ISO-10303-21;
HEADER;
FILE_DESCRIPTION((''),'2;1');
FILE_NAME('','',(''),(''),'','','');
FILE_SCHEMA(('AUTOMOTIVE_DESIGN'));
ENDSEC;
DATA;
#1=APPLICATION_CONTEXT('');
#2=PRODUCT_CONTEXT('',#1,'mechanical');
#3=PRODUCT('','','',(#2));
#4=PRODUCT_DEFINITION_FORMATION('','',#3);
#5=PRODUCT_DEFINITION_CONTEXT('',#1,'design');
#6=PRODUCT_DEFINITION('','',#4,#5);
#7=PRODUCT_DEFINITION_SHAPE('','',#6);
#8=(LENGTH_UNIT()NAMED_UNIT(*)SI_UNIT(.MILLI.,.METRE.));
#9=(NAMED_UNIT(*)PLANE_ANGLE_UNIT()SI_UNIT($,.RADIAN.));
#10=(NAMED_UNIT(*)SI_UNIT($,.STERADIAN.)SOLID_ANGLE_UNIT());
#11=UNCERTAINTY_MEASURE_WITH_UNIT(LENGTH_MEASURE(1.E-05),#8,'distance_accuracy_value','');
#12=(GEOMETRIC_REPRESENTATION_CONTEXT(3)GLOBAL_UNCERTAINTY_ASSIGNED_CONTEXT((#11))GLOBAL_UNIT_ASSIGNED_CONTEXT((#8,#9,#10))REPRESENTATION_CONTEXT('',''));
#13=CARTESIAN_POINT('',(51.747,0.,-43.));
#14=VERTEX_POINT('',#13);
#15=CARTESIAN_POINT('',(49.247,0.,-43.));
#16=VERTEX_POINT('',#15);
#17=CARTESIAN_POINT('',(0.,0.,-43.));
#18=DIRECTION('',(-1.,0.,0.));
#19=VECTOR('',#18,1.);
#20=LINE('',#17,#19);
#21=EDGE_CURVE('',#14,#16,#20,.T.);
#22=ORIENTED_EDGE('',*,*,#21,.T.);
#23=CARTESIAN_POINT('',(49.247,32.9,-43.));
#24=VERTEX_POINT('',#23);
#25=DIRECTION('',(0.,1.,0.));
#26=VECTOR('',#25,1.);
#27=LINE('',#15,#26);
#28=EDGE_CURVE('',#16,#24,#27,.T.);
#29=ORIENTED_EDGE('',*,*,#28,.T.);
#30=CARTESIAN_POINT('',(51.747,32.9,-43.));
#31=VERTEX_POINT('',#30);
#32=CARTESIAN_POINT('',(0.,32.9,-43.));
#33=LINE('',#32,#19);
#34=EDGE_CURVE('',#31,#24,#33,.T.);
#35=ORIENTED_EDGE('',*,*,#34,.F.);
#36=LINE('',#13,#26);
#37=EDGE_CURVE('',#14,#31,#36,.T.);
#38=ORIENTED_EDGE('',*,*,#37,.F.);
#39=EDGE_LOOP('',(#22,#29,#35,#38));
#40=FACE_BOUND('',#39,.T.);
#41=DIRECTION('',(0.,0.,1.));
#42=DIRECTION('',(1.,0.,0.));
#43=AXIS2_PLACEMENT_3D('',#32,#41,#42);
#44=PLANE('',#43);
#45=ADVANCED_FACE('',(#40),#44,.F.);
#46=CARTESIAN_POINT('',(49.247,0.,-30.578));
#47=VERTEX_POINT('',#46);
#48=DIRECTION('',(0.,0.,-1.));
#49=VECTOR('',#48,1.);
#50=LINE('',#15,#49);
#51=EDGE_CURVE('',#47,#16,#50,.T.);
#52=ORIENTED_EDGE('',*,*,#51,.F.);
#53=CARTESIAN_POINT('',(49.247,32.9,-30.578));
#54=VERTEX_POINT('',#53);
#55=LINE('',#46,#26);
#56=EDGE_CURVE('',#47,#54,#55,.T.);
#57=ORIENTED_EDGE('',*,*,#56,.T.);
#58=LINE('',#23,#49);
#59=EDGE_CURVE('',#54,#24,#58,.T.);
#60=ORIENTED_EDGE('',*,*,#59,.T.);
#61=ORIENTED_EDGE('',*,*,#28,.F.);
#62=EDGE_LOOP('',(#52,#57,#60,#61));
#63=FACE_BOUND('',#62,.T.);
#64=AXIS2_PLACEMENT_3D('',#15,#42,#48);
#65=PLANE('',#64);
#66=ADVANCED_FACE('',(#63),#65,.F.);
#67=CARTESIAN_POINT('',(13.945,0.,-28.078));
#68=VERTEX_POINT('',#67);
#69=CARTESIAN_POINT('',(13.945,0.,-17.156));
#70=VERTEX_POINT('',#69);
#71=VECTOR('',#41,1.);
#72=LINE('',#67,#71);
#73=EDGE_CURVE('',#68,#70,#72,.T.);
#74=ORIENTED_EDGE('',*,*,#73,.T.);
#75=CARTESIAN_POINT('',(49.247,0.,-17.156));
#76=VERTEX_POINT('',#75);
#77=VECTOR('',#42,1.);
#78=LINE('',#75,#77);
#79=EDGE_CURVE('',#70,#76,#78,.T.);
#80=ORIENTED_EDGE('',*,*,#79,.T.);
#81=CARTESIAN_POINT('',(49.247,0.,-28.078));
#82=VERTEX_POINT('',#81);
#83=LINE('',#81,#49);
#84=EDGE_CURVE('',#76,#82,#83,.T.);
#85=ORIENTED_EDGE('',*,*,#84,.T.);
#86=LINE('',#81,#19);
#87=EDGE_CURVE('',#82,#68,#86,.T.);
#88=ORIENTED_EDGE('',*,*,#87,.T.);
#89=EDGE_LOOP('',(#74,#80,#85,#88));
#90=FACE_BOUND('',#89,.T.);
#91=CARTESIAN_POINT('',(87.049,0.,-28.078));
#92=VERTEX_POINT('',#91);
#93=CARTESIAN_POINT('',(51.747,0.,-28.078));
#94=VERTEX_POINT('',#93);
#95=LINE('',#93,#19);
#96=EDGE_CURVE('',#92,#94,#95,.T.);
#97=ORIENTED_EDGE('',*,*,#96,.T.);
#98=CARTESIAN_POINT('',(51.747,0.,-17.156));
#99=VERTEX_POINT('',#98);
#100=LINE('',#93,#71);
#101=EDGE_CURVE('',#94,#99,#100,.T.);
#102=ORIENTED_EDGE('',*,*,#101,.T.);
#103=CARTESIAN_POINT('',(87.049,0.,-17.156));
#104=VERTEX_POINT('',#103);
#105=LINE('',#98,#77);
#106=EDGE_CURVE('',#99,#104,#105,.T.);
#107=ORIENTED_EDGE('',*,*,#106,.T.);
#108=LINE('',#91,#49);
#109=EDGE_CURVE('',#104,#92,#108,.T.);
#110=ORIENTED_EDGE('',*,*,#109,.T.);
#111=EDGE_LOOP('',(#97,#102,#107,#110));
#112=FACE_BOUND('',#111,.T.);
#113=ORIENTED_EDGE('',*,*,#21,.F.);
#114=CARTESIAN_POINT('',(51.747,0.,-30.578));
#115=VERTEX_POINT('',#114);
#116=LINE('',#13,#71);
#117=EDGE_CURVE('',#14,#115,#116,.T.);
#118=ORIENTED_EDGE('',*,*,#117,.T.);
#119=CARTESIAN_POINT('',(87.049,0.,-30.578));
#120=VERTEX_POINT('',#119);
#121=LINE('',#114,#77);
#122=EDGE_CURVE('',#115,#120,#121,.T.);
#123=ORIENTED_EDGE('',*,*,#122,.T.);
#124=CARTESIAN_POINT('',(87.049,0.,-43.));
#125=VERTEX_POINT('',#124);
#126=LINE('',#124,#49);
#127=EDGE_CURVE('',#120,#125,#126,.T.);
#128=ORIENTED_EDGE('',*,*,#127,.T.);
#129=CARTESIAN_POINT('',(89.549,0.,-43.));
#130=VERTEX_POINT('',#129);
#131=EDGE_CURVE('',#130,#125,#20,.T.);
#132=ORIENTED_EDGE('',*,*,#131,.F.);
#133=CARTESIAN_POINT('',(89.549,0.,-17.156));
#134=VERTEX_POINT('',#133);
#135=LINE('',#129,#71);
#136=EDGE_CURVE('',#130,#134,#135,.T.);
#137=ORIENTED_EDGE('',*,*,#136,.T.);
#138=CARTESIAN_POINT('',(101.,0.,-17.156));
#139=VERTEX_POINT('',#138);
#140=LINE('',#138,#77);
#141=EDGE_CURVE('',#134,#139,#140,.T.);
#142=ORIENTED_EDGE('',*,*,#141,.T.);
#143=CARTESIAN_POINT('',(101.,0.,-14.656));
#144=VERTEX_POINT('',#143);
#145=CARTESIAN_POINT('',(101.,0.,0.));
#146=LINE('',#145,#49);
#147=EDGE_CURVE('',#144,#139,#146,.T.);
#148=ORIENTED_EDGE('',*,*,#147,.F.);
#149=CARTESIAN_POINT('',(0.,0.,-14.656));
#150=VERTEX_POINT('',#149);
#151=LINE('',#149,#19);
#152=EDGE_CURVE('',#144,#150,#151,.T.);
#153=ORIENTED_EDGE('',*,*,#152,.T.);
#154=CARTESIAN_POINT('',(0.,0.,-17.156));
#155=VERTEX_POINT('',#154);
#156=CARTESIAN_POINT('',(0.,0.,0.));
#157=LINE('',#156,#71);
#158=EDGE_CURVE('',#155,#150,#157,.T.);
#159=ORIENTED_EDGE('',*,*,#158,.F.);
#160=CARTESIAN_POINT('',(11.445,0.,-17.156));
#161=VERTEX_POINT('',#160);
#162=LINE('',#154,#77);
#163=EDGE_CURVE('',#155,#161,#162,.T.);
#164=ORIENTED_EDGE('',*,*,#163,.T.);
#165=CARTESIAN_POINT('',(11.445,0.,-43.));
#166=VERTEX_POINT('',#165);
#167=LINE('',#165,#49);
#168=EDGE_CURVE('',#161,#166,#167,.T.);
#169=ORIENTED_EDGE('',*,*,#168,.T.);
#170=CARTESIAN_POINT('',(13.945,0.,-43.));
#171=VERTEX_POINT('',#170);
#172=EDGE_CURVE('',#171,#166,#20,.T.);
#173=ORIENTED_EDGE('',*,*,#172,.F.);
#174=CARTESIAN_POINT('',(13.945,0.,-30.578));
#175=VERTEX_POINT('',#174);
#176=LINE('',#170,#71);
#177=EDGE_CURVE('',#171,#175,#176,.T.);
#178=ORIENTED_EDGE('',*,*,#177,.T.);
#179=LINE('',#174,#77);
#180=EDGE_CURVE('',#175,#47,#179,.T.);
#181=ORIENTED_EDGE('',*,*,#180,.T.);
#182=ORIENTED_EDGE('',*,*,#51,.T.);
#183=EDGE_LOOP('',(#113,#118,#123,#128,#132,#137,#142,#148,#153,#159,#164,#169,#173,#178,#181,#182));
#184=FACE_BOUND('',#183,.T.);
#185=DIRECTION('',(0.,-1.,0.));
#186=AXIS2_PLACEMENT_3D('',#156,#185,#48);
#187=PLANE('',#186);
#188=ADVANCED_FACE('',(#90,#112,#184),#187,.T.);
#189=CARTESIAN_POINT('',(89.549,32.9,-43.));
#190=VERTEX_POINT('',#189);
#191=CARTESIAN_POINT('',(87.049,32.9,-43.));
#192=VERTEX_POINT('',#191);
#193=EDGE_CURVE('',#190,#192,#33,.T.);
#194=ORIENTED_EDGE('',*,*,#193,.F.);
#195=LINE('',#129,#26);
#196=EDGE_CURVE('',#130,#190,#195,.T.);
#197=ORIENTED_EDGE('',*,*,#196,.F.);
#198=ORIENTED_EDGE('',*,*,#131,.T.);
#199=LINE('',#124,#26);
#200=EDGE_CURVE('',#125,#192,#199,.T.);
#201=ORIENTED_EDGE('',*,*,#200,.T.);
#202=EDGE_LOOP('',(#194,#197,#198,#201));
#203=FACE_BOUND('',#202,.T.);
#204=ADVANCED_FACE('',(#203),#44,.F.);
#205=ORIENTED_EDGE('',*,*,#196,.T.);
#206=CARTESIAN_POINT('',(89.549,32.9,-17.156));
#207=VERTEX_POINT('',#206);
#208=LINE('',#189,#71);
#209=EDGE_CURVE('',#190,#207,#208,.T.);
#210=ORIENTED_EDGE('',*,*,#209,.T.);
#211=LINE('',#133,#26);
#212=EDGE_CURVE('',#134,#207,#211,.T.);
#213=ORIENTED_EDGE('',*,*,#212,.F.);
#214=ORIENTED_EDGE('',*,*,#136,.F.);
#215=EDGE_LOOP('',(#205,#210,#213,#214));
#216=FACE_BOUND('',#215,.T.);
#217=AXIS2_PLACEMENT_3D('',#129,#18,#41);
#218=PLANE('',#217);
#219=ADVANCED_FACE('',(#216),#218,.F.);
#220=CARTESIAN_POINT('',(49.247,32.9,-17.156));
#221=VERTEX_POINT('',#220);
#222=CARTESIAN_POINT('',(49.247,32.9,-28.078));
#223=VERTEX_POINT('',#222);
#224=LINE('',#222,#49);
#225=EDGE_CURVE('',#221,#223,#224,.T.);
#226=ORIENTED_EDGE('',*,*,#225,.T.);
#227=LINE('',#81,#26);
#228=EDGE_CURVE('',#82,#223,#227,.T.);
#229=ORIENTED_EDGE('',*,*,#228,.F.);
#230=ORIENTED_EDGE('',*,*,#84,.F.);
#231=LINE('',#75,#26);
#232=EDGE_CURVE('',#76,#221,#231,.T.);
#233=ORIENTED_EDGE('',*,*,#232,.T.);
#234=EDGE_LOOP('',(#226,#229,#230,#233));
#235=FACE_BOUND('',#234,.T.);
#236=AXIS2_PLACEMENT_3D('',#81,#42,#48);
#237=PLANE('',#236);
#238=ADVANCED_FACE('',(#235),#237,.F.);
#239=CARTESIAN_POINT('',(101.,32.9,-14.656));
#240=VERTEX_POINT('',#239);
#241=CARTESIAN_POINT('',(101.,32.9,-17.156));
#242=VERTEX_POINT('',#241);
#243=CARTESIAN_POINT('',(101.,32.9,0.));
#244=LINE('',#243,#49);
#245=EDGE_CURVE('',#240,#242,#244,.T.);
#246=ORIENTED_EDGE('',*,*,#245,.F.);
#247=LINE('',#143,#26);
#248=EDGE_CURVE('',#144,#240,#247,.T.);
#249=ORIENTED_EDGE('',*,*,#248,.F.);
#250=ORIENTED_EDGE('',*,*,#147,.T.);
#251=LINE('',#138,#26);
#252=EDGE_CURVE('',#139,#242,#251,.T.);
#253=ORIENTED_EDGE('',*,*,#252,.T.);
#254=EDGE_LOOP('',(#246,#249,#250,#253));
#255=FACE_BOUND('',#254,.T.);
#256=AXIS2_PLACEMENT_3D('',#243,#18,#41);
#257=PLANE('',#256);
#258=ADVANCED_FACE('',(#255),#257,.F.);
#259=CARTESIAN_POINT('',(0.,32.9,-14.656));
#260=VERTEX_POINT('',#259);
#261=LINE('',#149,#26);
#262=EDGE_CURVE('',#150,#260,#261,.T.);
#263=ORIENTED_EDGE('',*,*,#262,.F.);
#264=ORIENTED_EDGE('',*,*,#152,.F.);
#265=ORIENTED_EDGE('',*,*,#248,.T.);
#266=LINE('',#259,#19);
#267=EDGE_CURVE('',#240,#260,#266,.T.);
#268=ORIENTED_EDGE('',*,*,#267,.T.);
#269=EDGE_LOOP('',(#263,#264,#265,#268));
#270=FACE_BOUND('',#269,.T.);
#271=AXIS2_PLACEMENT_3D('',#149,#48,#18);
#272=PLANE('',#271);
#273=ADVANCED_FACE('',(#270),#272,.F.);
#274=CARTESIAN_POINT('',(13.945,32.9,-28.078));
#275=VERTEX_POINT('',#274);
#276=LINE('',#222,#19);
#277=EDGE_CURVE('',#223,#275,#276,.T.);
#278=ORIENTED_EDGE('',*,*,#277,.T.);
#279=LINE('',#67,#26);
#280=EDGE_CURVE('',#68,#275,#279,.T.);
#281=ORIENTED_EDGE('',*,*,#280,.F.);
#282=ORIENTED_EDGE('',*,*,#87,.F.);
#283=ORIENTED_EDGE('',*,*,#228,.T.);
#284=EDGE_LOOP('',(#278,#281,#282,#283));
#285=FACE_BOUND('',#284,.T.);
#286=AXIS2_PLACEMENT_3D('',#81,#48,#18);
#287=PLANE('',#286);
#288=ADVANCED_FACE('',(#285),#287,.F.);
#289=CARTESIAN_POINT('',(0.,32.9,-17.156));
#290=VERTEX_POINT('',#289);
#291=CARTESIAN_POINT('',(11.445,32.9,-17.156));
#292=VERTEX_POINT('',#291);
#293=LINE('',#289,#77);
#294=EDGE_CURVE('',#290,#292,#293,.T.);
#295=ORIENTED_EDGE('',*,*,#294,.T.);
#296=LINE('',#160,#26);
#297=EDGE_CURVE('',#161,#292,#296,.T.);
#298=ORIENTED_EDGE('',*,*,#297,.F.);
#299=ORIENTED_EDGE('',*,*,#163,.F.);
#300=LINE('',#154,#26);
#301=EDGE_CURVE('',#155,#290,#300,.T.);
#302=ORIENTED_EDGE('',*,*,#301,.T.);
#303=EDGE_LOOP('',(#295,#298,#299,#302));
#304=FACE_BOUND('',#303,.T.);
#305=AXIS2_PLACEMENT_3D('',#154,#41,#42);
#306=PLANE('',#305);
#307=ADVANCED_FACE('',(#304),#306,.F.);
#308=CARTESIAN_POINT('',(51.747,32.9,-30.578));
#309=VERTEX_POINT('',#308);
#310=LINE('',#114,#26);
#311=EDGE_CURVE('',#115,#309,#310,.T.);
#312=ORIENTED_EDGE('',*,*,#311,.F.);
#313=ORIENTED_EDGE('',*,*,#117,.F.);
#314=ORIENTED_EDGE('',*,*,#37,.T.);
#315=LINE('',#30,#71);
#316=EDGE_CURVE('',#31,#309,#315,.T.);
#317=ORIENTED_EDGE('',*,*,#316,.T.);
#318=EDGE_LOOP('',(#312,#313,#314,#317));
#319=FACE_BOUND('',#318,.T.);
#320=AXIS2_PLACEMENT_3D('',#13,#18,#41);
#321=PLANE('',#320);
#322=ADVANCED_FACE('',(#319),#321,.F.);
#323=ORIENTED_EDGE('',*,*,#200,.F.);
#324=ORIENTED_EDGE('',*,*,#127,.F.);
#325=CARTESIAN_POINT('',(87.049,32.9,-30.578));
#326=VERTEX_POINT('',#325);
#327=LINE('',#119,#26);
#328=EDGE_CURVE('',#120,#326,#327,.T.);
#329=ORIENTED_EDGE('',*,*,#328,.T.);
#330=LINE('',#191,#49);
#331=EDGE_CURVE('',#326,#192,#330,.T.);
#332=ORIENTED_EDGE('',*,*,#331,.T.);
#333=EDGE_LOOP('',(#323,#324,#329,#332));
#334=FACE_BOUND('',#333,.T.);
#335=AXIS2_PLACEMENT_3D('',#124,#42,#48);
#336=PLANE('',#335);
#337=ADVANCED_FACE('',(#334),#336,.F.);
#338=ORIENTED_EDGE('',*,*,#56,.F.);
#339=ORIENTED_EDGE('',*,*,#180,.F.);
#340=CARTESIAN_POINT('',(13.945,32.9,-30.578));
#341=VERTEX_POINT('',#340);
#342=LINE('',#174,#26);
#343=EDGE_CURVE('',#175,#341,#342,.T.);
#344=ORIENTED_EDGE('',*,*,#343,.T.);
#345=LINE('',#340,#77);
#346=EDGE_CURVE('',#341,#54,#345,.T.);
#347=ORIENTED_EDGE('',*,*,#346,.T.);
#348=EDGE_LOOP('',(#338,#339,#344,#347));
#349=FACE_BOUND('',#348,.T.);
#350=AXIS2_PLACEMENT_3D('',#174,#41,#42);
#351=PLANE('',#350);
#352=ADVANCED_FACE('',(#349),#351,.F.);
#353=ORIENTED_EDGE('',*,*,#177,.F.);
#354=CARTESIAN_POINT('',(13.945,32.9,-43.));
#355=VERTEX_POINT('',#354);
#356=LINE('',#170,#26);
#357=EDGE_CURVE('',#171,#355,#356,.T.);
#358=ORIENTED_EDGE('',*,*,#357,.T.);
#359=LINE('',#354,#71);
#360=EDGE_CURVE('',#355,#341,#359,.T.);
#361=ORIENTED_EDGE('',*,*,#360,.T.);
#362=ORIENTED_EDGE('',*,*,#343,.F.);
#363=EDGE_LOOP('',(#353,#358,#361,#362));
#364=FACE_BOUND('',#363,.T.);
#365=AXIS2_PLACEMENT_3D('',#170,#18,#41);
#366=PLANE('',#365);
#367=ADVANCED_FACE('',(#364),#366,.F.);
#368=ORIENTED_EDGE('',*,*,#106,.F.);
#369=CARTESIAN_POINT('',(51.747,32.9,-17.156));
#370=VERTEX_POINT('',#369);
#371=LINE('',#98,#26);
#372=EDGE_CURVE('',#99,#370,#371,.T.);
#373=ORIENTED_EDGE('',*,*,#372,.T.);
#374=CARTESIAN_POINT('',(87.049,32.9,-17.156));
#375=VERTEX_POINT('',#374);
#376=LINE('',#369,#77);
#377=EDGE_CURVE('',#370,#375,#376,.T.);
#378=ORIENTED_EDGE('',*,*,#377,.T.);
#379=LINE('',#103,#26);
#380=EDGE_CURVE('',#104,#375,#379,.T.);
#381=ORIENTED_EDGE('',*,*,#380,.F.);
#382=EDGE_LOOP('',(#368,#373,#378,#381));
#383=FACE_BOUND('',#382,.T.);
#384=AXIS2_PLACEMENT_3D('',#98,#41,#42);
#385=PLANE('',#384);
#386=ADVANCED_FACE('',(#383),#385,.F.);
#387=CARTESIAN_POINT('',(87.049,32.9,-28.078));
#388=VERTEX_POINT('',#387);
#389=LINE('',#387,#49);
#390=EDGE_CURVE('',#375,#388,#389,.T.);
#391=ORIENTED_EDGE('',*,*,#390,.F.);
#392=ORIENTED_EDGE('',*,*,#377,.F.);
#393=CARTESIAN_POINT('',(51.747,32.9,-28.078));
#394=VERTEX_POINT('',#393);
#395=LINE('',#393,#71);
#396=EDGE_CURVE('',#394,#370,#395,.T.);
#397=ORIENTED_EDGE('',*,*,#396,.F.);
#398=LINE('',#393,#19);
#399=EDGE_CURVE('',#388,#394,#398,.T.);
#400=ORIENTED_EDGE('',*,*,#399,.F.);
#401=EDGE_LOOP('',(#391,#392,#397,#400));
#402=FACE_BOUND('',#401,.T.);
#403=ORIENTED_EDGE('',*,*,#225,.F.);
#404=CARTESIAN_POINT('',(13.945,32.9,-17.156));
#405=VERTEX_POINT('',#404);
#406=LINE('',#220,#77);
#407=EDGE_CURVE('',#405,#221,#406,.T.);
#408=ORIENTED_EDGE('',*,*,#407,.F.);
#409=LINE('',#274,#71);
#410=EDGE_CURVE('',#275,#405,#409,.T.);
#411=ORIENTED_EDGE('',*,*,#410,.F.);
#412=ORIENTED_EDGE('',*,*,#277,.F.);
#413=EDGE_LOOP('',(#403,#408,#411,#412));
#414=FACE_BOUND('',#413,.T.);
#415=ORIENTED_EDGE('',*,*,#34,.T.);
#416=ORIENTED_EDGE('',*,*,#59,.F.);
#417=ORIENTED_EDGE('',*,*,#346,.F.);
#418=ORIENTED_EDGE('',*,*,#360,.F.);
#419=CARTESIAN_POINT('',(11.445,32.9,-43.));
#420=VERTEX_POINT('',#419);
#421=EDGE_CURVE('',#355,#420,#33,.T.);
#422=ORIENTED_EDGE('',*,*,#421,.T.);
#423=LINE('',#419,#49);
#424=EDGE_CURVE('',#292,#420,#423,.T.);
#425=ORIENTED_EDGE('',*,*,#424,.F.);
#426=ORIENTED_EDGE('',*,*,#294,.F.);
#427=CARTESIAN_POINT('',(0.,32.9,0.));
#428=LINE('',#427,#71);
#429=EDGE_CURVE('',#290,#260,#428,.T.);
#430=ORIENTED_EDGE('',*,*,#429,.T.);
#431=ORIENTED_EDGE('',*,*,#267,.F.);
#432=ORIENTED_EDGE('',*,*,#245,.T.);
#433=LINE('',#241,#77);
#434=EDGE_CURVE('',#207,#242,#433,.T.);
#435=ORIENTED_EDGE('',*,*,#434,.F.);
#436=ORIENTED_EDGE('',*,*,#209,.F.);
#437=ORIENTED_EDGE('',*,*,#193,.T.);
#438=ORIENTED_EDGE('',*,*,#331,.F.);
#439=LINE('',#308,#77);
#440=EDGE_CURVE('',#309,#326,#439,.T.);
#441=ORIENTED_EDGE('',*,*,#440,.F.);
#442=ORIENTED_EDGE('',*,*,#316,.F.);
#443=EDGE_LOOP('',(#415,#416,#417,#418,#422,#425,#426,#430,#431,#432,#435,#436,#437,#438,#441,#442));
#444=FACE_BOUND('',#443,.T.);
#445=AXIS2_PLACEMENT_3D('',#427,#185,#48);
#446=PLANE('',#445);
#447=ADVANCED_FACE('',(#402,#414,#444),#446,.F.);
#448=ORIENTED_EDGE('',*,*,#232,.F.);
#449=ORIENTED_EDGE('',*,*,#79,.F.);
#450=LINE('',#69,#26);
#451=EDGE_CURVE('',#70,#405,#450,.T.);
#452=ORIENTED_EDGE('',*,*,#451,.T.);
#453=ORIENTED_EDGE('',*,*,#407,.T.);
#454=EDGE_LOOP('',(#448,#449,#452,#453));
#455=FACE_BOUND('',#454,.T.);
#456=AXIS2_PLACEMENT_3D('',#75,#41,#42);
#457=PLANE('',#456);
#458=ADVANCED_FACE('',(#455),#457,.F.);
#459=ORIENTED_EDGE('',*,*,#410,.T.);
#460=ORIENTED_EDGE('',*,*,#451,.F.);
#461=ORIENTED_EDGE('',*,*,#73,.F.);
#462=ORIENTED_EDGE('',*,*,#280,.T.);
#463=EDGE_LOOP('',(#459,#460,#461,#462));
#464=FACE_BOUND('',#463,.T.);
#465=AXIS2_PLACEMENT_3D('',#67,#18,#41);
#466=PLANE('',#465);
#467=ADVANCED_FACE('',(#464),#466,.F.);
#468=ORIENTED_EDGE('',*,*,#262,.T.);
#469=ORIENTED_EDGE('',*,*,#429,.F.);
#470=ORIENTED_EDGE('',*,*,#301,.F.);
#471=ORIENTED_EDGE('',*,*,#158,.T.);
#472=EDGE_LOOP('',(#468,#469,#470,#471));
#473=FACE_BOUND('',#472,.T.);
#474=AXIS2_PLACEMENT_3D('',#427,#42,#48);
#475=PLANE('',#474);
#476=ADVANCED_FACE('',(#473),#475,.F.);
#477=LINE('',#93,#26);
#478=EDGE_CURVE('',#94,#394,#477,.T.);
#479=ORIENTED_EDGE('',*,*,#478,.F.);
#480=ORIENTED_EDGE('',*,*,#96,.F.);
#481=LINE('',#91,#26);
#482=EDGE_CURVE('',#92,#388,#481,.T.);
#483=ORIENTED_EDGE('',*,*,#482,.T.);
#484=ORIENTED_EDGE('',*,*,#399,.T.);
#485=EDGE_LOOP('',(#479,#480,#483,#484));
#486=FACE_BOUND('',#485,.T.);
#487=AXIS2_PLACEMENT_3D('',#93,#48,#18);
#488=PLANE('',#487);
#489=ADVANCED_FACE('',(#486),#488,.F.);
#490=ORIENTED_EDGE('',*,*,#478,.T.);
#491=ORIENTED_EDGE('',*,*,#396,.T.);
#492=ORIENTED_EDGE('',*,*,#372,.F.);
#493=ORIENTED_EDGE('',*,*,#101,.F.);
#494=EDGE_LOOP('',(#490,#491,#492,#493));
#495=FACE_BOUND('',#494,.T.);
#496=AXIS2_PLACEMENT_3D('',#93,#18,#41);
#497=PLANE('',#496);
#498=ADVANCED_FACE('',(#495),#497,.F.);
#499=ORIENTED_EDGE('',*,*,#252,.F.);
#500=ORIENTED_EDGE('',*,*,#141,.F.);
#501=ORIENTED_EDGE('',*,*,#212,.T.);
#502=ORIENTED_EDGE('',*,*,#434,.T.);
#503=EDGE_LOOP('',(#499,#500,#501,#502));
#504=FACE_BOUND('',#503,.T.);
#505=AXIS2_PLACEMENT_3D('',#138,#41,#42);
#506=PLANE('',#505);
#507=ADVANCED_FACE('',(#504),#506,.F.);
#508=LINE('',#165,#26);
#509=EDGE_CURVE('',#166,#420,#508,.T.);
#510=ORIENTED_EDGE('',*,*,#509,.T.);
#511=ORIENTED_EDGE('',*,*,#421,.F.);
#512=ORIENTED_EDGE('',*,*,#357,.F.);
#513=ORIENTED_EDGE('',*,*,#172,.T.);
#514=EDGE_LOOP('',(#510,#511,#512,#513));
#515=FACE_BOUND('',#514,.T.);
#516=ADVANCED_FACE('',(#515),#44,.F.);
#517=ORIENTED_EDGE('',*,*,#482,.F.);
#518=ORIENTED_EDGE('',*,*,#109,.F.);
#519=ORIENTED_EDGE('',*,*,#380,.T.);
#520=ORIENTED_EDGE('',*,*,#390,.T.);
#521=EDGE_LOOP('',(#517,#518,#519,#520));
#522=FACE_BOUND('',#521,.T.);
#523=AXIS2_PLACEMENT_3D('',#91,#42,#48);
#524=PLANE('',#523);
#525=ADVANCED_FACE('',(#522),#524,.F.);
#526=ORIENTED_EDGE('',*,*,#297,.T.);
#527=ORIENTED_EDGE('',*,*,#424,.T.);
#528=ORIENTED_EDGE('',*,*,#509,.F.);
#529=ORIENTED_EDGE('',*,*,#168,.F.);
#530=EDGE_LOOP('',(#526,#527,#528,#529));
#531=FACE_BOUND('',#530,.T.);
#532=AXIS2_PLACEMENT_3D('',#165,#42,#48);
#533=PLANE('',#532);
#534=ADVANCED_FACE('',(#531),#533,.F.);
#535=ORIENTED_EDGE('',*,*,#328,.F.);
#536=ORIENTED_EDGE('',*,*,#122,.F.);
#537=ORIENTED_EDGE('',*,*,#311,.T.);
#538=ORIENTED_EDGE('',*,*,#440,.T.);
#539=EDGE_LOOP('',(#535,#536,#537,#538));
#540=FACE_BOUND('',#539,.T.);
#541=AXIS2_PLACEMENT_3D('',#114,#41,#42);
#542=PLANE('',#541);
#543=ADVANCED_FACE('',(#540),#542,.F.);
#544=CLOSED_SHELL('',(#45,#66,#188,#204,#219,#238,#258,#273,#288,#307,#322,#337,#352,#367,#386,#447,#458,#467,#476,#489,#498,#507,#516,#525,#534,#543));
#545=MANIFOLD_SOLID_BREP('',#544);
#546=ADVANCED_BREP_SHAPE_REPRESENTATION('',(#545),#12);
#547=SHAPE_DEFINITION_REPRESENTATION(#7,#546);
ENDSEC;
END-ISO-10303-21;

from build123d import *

# Parameters (mm, degrees)
SKETCH1_W           = 101
SKETCH1_H           = 43
BOSS_EXTRUDE1_DEPTH = 32.9
SKETCH4_W           = 101
SKETCH4_H           = 14.656
SKETCH4_W_2         = 11.451
SKETCH4_H_2         = 25.844
SKETCH4_W_3         = 11.445
SKETCH4_W_4         = 35.302
SKETCH4_H_3         = 12.422
SKETCH4_H_4         = 10.922
CUT_EXTRUDE2_DEPTH  = 32.9


with BuildPart() as part:
    # Sketch1 → Boss-Extrude1 (new body)
    with BuildSketch(Plane(origin=(0, 0, 0), x_dir=(1, 0, 0), z_dir=(0, 1, 0))):
        with Locations((50.5, 21.5)):
            Rectangle(SKETCH1_W, SKETCH1_H)
    extrude(amount=BOSS_EXTRUDE1_DEPTH)

    # Sketch4 → Cut-Extrude2 (cut)
    with BuildSketch(Plane(origin=(0, 32.9, 0), x_dir=(1, 0, 0), z_dir=(0, 1, 0))):
        with Locations((50.5, 7.328)):
            Rectangle(SKETCH4_W, SKETCH4_H)
        with Locations((95.2745, 30.078)):
            Rectangle(SKETCH4_W_2, SKETCH4_H_2)
        with Locations((5.7225, 30.078)):
            Rectangle(SKETCH4_W_3, SKETCH4_H_2)
        with Locations((31.596, 36.789)):
            Rectangle(SKETCH4_W_4, SKETCH4_H_3)
        with Locations((69.398, 36.789)):
            Rectangle(SKETCH4_W_4, SKETCH4_H_3)
        with Locations((69.398, 22.617)):
            Rectangle(SKETCH4_W_4, SKETCH4_H_4)
        with Locations((31.596, 22.617)):
            Rectangle(SKETCH4_W_4, SKETCH4_H_4)
    extrude(amount=-CUT_EXTRUDE2_DEPTH, mode=Mode.SUBTRACT)


solid = part.part
